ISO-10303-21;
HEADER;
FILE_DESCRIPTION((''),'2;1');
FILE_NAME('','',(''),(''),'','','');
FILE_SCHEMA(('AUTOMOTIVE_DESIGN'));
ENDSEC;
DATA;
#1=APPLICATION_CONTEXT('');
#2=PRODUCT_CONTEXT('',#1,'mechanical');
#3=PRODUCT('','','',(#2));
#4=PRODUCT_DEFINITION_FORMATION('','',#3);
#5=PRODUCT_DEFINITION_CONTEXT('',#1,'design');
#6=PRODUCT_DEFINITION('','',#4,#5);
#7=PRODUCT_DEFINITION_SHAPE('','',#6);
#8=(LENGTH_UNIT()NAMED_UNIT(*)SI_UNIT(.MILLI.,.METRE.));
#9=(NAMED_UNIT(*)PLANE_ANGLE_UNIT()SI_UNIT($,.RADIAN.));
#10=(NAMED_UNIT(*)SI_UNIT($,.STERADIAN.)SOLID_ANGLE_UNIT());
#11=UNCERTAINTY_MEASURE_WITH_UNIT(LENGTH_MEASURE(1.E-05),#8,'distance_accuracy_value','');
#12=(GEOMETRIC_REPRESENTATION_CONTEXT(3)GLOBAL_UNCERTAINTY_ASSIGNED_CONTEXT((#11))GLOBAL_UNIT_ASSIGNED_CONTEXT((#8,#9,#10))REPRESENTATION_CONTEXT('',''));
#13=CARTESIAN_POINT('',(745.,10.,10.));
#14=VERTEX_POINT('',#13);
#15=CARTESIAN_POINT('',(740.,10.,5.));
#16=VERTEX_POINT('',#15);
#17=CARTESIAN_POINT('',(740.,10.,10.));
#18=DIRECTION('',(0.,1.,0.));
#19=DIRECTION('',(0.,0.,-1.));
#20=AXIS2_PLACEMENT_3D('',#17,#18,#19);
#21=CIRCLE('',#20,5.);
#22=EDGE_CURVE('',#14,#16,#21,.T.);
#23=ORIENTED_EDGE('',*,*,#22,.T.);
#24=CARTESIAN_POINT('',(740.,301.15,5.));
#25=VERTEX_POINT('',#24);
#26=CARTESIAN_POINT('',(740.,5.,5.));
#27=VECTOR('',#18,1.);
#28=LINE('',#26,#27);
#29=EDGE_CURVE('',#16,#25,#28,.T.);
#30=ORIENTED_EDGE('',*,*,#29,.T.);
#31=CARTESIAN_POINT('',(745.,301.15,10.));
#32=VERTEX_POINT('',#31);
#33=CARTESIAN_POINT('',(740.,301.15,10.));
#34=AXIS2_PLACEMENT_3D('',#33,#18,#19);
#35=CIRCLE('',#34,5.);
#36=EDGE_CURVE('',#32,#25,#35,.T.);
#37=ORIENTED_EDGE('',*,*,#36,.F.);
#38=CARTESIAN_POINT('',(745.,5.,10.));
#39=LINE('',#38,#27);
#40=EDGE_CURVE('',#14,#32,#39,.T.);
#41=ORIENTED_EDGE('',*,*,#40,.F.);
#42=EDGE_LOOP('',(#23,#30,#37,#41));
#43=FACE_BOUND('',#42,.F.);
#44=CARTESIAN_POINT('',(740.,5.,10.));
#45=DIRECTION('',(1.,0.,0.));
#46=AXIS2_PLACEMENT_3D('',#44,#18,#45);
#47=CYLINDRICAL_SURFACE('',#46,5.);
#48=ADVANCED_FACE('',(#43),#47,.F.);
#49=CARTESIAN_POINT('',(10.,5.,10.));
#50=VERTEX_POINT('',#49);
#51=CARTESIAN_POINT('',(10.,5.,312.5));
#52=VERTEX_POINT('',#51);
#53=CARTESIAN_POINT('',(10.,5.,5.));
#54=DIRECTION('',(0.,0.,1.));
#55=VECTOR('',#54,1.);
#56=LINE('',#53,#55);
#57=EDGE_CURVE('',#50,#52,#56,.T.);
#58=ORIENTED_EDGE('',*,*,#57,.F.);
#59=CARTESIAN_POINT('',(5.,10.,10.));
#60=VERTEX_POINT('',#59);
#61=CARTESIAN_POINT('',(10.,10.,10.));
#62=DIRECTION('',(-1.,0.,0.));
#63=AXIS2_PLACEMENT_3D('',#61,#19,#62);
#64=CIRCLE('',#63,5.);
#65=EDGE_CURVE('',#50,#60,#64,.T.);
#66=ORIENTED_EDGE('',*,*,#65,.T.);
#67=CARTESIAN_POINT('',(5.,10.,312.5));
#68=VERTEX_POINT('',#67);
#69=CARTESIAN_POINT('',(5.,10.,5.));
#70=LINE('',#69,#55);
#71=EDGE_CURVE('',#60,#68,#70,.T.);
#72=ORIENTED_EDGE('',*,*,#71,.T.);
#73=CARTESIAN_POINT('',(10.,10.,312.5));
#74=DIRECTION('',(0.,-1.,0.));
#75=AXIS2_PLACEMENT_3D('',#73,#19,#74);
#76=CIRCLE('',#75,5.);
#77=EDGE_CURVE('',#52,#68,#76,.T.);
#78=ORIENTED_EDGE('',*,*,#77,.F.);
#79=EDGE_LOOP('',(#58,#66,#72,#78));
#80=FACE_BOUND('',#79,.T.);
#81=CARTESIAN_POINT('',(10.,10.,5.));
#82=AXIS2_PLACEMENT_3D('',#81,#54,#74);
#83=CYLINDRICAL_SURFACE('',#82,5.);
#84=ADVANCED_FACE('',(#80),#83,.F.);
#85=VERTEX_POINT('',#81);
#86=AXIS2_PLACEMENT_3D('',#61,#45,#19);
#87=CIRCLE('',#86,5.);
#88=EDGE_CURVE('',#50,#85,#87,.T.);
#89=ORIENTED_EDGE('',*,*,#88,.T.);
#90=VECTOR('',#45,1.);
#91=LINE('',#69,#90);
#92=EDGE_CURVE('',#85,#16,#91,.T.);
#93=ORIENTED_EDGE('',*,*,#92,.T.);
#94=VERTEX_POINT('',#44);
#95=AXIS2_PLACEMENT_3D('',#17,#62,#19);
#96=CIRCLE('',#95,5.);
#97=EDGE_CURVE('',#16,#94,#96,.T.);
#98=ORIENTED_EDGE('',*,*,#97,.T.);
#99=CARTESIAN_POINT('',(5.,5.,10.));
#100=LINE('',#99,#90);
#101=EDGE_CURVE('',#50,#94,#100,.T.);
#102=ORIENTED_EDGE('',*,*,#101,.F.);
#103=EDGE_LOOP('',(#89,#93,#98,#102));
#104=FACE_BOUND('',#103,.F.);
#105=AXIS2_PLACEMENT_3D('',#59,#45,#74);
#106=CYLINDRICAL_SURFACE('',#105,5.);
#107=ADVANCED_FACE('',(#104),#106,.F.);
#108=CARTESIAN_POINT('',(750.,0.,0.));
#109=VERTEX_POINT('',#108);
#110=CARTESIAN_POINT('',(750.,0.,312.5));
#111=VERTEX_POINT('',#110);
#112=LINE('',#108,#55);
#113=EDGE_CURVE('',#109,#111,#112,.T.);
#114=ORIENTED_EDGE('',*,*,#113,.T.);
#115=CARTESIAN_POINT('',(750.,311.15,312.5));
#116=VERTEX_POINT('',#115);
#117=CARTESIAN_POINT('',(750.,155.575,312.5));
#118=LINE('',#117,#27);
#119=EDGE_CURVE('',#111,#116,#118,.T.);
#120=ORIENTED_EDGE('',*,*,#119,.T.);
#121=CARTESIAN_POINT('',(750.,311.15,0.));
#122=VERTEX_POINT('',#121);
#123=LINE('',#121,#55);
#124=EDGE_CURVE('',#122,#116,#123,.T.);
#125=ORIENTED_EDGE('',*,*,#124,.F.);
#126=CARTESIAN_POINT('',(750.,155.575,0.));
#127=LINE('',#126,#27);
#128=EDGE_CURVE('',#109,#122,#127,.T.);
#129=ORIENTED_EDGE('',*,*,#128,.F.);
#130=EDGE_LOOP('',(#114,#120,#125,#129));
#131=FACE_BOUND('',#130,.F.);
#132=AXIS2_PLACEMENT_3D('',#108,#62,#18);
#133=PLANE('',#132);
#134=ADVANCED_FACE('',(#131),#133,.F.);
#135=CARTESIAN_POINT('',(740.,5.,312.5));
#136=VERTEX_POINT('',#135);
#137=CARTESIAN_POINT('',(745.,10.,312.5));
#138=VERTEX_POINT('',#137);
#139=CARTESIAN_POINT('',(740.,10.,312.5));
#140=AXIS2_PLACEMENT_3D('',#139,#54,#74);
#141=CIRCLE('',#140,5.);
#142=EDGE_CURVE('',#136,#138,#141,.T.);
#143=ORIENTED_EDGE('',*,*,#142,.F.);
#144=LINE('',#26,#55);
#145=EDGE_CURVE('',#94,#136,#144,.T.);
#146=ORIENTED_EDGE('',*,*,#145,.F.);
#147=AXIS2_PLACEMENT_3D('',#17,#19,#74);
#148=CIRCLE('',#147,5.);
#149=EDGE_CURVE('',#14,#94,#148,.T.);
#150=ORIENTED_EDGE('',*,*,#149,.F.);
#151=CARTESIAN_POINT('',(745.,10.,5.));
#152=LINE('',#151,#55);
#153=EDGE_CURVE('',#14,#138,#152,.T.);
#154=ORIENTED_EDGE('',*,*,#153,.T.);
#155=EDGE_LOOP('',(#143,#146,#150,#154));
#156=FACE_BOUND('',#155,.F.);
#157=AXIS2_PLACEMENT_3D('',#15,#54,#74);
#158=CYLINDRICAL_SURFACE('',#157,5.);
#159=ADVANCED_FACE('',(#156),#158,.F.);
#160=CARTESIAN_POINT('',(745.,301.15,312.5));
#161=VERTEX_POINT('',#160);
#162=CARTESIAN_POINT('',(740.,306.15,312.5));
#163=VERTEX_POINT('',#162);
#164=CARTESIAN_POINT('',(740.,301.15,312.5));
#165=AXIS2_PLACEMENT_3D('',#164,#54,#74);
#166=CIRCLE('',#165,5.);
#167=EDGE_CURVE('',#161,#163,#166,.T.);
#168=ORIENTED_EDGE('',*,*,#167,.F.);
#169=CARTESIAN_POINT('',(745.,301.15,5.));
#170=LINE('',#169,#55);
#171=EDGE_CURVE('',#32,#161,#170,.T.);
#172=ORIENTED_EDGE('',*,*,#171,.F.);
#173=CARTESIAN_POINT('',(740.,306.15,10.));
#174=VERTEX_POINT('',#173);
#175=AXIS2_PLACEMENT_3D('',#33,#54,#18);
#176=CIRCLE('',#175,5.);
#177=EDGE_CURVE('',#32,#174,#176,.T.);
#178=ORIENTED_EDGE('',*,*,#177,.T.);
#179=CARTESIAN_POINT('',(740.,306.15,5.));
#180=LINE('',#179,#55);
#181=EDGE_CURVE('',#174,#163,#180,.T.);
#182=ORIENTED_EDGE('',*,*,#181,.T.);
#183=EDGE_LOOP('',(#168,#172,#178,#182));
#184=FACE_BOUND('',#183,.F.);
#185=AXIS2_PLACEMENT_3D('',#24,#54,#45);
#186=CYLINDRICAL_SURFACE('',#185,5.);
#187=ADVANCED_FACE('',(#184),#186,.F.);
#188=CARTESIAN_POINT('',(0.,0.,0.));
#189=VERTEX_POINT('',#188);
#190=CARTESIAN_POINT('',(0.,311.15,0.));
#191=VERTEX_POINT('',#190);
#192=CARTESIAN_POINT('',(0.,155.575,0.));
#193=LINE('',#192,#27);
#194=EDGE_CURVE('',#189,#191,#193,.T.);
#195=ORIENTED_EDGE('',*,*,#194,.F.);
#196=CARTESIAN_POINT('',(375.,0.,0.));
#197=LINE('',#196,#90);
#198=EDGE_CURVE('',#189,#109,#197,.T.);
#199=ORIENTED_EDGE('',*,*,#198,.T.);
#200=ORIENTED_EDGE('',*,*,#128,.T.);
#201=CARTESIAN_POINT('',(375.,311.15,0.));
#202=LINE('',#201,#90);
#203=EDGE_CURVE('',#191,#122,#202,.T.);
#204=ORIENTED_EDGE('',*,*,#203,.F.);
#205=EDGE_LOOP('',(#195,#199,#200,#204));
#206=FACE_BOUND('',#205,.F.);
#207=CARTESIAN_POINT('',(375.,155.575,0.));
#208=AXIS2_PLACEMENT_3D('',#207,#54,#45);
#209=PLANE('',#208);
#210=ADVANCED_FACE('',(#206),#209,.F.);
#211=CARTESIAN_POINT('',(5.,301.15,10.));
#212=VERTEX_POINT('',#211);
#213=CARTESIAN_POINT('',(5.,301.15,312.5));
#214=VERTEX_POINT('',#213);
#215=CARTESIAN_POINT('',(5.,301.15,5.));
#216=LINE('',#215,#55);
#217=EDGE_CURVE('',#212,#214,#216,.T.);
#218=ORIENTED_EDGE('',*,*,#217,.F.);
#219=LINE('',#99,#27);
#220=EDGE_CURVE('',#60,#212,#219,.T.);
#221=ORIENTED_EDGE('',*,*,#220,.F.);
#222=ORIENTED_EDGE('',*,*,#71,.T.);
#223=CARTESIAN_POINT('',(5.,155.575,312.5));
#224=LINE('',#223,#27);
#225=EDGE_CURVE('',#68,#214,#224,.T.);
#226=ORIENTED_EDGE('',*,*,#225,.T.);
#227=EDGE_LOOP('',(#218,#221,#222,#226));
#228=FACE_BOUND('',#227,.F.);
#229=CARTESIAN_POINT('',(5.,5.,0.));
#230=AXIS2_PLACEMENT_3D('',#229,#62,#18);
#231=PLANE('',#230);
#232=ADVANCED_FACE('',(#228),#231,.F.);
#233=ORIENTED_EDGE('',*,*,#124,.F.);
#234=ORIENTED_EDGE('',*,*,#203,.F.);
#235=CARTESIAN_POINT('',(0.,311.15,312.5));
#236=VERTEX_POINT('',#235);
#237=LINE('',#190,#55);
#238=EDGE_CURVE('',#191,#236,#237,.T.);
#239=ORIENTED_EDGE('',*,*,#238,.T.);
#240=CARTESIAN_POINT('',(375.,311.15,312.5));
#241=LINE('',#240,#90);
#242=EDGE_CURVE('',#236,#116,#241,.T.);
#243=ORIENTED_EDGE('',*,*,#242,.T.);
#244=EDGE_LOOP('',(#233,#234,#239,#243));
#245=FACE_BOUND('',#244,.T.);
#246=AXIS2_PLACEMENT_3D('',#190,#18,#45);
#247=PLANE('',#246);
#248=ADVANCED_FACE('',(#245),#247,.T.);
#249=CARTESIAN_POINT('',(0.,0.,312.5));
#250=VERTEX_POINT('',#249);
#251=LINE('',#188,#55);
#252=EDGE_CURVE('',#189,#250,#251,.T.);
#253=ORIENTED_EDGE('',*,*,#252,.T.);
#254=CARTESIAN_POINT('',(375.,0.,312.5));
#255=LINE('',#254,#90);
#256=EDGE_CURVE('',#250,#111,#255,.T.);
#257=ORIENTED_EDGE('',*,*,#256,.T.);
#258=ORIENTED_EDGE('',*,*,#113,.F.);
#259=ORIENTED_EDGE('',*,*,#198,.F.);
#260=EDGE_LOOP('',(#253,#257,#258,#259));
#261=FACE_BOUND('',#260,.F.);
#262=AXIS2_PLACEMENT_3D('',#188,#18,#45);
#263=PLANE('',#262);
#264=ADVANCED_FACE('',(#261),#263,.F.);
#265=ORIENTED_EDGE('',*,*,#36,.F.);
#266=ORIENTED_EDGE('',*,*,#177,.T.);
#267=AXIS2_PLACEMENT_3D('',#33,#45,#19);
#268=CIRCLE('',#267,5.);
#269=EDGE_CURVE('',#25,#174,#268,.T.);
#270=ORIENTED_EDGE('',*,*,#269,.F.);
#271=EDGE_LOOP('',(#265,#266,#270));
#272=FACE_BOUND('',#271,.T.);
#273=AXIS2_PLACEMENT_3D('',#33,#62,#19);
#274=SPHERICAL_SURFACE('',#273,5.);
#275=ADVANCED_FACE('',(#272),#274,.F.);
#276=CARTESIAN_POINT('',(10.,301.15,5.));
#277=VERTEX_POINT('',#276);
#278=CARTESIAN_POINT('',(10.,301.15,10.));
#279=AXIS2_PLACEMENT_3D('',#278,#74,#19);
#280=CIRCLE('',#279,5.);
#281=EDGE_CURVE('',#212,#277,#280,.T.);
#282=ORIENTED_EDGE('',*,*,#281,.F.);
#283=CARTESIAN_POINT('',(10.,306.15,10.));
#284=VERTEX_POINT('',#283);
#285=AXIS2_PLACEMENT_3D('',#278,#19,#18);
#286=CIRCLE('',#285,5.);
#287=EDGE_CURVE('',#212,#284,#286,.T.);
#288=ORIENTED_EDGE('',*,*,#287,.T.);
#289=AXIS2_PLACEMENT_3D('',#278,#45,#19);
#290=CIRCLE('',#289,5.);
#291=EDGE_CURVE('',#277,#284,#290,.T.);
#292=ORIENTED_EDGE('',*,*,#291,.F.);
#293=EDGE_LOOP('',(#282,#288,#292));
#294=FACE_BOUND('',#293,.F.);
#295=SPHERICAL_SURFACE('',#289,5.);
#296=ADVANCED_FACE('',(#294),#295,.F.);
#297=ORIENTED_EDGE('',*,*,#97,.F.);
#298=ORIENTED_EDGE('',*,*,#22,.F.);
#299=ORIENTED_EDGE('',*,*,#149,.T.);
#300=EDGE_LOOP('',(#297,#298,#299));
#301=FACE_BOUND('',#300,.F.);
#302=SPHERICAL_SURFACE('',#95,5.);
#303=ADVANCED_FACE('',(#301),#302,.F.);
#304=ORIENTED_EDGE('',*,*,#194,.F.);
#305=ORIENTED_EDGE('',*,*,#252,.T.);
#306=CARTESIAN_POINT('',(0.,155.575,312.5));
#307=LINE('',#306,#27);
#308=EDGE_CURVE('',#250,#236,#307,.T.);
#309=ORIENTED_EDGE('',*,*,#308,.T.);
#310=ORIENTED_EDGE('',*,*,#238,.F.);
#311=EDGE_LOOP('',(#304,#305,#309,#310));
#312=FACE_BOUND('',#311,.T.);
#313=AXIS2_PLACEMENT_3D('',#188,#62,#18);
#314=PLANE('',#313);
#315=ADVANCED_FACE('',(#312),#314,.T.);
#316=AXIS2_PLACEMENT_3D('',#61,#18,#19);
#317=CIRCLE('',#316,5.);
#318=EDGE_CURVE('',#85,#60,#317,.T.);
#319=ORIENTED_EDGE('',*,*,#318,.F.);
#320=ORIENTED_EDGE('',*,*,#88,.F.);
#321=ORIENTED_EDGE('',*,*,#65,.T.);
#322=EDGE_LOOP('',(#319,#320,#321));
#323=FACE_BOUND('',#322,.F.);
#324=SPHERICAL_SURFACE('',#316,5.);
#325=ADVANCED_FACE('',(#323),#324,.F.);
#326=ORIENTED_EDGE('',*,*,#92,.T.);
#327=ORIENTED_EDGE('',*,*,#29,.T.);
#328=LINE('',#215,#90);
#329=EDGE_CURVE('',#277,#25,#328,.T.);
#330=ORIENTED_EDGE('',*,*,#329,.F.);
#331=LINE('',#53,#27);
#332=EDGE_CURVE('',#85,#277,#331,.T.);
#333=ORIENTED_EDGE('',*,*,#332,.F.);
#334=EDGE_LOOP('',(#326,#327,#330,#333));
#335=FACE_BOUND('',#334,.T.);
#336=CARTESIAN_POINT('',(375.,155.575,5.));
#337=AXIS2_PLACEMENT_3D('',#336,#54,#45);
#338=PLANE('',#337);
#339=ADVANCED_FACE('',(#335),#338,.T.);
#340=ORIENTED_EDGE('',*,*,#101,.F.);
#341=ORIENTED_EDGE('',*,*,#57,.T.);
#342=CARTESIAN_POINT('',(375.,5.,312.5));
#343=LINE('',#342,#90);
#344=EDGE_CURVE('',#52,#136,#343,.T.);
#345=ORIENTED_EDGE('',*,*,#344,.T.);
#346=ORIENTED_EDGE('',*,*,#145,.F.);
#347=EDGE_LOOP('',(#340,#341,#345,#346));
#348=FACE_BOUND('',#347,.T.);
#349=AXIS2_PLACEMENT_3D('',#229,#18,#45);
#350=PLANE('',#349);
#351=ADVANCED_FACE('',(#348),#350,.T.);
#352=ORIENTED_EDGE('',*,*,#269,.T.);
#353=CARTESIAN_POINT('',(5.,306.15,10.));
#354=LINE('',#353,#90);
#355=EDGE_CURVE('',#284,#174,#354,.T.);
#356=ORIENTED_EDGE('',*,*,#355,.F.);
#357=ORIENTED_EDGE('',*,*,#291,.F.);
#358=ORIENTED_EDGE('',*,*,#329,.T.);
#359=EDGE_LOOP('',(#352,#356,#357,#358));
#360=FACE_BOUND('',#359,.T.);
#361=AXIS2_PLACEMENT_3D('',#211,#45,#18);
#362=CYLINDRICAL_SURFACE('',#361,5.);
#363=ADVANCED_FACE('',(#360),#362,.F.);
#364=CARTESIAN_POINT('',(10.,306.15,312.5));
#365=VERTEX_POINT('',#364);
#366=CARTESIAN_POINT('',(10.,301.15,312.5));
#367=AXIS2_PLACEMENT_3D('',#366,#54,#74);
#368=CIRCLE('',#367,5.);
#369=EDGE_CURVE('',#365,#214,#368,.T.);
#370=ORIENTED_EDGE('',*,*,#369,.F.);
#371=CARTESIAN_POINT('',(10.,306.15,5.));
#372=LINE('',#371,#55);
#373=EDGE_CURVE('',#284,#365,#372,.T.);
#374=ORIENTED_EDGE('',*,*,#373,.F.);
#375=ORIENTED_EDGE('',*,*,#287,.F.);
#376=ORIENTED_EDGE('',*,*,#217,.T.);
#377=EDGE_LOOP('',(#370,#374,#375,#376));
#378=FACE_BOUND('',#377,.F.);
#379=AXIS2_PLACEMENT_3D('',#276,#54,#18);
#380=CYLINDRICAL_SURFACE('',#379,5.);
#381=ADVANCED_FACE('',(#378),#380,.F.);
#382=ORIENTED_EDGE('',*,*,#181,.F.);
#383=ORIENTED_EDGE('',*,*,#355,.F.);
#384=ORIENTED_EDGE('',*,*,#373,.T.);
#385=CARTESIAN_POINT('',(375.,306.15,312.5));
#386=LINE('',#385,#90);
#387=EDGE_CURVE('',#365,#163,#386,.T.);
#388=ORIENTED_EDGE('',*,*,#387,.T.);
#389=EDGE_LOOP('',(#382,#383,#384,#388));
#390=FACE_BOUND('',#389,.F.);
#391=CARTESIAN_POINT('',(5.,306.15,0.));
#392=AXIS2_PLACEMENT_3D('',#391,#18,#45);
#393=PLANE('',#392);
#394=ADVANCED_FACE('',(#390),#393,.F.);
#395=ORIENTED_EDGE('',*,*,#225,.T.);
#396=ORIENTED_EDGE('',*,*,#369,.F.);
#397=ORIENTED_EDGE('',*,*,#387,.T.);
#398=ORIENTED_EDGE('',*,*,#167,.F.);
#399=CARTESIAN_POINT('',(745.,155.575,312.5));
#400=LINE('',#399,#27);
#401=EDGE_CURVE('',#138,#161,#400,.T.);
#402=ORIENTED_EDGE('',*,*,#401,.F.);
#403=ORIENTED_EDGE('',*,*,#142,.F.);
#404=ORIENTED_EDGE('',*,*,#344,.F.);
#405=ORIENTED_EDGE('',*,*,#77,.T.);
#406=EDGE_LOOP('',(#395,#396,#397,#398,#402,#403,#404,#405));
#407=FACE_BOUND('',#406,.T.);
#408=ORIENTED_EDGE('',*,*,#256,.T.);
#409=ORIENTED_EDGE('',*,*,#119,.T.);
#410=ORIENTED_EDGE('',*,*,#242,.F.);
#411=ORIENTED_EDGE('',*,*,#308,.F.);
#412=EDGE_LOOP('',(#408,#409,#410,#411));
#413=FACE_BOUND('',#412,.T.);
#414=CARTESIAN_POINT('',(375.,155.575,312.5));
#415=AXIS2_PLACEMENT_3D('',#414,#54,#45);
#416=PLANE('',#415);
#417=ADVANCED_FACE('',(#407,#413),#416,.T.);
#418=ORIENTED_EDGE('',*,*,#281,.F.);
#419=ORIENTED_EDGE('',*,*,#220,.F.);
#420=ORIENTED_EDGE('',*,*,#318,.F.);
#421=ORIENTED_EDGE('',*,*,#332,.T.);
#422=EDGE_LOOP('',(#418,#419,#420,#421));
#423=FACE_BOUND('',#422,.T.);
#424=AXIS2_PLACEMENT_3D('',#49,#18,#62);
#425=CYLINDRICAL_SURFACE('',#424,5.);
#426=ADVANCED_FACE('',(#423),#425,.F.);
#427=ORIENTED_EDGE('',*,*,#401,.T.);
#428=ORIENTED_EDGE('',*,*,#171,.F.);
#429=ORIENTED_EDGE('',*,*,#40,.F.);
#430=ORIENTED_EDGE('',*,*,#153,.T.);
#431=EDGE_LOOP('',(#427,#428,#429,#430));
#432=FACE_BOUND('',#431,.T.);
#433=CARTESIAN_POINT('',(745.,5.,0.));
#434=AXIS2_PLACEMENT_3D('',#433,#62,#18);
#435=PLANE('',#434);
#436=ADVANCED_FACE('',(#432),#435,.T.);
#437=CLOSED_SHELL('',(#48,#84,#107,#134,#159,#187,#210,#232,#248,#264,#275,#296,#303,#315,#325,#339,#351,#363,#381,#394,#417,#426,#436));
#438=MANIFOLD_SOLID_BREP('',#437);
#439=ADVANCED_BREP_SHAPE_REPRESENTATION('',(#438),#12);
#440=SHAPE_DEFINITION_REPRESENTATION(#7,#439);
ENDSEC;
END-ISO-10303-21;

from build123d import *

# Parameters (mm, degrees)
F0_W     = 740
F0_H     = 301.15
F1_DEPTH = 5
F0_W_2   = 750
F0_H_2   = 311.15
F2_DEPTH = 312.5
F3_R     = 5


with BuildPart() as f1:
    # F0 (on Top) → F1 (new body)
    with BuildSketch(Plane.XY):
        with Locations((375, 155.575)):
            Rectangle(F0_W, F0_H)
    extrude(amount=F1_DEPTH)

    # F0 (on Top) → F2 (join)
    with BuildSketch(Plane.XY):
        with Locations((375, 155.575)):
            Rectangle(F0_W_2, F0_H_2)
        with Locations((375, 155.575)):
            Rectangle(F0_W, F0_H, mode=Mode.SUBTRACT)
    extrude(amount=F2_DEPTH)

    # F3
    f3_edges = [f1.edges().sort_by_distance(p)[0] for p in [
        (375, 306.15, 5),
        (5, 155.575, 5),
        (375, 5, 5),
        (745, 155.575, 5),
        (5, 306.15, 158.75),
        (5, 5, 158.75),
        (745, 306.15, 158.75),
        (745, 5, 158.75),
    ]]
    fillet(f3_edges, radius=F3_R)


solid = f1.part
